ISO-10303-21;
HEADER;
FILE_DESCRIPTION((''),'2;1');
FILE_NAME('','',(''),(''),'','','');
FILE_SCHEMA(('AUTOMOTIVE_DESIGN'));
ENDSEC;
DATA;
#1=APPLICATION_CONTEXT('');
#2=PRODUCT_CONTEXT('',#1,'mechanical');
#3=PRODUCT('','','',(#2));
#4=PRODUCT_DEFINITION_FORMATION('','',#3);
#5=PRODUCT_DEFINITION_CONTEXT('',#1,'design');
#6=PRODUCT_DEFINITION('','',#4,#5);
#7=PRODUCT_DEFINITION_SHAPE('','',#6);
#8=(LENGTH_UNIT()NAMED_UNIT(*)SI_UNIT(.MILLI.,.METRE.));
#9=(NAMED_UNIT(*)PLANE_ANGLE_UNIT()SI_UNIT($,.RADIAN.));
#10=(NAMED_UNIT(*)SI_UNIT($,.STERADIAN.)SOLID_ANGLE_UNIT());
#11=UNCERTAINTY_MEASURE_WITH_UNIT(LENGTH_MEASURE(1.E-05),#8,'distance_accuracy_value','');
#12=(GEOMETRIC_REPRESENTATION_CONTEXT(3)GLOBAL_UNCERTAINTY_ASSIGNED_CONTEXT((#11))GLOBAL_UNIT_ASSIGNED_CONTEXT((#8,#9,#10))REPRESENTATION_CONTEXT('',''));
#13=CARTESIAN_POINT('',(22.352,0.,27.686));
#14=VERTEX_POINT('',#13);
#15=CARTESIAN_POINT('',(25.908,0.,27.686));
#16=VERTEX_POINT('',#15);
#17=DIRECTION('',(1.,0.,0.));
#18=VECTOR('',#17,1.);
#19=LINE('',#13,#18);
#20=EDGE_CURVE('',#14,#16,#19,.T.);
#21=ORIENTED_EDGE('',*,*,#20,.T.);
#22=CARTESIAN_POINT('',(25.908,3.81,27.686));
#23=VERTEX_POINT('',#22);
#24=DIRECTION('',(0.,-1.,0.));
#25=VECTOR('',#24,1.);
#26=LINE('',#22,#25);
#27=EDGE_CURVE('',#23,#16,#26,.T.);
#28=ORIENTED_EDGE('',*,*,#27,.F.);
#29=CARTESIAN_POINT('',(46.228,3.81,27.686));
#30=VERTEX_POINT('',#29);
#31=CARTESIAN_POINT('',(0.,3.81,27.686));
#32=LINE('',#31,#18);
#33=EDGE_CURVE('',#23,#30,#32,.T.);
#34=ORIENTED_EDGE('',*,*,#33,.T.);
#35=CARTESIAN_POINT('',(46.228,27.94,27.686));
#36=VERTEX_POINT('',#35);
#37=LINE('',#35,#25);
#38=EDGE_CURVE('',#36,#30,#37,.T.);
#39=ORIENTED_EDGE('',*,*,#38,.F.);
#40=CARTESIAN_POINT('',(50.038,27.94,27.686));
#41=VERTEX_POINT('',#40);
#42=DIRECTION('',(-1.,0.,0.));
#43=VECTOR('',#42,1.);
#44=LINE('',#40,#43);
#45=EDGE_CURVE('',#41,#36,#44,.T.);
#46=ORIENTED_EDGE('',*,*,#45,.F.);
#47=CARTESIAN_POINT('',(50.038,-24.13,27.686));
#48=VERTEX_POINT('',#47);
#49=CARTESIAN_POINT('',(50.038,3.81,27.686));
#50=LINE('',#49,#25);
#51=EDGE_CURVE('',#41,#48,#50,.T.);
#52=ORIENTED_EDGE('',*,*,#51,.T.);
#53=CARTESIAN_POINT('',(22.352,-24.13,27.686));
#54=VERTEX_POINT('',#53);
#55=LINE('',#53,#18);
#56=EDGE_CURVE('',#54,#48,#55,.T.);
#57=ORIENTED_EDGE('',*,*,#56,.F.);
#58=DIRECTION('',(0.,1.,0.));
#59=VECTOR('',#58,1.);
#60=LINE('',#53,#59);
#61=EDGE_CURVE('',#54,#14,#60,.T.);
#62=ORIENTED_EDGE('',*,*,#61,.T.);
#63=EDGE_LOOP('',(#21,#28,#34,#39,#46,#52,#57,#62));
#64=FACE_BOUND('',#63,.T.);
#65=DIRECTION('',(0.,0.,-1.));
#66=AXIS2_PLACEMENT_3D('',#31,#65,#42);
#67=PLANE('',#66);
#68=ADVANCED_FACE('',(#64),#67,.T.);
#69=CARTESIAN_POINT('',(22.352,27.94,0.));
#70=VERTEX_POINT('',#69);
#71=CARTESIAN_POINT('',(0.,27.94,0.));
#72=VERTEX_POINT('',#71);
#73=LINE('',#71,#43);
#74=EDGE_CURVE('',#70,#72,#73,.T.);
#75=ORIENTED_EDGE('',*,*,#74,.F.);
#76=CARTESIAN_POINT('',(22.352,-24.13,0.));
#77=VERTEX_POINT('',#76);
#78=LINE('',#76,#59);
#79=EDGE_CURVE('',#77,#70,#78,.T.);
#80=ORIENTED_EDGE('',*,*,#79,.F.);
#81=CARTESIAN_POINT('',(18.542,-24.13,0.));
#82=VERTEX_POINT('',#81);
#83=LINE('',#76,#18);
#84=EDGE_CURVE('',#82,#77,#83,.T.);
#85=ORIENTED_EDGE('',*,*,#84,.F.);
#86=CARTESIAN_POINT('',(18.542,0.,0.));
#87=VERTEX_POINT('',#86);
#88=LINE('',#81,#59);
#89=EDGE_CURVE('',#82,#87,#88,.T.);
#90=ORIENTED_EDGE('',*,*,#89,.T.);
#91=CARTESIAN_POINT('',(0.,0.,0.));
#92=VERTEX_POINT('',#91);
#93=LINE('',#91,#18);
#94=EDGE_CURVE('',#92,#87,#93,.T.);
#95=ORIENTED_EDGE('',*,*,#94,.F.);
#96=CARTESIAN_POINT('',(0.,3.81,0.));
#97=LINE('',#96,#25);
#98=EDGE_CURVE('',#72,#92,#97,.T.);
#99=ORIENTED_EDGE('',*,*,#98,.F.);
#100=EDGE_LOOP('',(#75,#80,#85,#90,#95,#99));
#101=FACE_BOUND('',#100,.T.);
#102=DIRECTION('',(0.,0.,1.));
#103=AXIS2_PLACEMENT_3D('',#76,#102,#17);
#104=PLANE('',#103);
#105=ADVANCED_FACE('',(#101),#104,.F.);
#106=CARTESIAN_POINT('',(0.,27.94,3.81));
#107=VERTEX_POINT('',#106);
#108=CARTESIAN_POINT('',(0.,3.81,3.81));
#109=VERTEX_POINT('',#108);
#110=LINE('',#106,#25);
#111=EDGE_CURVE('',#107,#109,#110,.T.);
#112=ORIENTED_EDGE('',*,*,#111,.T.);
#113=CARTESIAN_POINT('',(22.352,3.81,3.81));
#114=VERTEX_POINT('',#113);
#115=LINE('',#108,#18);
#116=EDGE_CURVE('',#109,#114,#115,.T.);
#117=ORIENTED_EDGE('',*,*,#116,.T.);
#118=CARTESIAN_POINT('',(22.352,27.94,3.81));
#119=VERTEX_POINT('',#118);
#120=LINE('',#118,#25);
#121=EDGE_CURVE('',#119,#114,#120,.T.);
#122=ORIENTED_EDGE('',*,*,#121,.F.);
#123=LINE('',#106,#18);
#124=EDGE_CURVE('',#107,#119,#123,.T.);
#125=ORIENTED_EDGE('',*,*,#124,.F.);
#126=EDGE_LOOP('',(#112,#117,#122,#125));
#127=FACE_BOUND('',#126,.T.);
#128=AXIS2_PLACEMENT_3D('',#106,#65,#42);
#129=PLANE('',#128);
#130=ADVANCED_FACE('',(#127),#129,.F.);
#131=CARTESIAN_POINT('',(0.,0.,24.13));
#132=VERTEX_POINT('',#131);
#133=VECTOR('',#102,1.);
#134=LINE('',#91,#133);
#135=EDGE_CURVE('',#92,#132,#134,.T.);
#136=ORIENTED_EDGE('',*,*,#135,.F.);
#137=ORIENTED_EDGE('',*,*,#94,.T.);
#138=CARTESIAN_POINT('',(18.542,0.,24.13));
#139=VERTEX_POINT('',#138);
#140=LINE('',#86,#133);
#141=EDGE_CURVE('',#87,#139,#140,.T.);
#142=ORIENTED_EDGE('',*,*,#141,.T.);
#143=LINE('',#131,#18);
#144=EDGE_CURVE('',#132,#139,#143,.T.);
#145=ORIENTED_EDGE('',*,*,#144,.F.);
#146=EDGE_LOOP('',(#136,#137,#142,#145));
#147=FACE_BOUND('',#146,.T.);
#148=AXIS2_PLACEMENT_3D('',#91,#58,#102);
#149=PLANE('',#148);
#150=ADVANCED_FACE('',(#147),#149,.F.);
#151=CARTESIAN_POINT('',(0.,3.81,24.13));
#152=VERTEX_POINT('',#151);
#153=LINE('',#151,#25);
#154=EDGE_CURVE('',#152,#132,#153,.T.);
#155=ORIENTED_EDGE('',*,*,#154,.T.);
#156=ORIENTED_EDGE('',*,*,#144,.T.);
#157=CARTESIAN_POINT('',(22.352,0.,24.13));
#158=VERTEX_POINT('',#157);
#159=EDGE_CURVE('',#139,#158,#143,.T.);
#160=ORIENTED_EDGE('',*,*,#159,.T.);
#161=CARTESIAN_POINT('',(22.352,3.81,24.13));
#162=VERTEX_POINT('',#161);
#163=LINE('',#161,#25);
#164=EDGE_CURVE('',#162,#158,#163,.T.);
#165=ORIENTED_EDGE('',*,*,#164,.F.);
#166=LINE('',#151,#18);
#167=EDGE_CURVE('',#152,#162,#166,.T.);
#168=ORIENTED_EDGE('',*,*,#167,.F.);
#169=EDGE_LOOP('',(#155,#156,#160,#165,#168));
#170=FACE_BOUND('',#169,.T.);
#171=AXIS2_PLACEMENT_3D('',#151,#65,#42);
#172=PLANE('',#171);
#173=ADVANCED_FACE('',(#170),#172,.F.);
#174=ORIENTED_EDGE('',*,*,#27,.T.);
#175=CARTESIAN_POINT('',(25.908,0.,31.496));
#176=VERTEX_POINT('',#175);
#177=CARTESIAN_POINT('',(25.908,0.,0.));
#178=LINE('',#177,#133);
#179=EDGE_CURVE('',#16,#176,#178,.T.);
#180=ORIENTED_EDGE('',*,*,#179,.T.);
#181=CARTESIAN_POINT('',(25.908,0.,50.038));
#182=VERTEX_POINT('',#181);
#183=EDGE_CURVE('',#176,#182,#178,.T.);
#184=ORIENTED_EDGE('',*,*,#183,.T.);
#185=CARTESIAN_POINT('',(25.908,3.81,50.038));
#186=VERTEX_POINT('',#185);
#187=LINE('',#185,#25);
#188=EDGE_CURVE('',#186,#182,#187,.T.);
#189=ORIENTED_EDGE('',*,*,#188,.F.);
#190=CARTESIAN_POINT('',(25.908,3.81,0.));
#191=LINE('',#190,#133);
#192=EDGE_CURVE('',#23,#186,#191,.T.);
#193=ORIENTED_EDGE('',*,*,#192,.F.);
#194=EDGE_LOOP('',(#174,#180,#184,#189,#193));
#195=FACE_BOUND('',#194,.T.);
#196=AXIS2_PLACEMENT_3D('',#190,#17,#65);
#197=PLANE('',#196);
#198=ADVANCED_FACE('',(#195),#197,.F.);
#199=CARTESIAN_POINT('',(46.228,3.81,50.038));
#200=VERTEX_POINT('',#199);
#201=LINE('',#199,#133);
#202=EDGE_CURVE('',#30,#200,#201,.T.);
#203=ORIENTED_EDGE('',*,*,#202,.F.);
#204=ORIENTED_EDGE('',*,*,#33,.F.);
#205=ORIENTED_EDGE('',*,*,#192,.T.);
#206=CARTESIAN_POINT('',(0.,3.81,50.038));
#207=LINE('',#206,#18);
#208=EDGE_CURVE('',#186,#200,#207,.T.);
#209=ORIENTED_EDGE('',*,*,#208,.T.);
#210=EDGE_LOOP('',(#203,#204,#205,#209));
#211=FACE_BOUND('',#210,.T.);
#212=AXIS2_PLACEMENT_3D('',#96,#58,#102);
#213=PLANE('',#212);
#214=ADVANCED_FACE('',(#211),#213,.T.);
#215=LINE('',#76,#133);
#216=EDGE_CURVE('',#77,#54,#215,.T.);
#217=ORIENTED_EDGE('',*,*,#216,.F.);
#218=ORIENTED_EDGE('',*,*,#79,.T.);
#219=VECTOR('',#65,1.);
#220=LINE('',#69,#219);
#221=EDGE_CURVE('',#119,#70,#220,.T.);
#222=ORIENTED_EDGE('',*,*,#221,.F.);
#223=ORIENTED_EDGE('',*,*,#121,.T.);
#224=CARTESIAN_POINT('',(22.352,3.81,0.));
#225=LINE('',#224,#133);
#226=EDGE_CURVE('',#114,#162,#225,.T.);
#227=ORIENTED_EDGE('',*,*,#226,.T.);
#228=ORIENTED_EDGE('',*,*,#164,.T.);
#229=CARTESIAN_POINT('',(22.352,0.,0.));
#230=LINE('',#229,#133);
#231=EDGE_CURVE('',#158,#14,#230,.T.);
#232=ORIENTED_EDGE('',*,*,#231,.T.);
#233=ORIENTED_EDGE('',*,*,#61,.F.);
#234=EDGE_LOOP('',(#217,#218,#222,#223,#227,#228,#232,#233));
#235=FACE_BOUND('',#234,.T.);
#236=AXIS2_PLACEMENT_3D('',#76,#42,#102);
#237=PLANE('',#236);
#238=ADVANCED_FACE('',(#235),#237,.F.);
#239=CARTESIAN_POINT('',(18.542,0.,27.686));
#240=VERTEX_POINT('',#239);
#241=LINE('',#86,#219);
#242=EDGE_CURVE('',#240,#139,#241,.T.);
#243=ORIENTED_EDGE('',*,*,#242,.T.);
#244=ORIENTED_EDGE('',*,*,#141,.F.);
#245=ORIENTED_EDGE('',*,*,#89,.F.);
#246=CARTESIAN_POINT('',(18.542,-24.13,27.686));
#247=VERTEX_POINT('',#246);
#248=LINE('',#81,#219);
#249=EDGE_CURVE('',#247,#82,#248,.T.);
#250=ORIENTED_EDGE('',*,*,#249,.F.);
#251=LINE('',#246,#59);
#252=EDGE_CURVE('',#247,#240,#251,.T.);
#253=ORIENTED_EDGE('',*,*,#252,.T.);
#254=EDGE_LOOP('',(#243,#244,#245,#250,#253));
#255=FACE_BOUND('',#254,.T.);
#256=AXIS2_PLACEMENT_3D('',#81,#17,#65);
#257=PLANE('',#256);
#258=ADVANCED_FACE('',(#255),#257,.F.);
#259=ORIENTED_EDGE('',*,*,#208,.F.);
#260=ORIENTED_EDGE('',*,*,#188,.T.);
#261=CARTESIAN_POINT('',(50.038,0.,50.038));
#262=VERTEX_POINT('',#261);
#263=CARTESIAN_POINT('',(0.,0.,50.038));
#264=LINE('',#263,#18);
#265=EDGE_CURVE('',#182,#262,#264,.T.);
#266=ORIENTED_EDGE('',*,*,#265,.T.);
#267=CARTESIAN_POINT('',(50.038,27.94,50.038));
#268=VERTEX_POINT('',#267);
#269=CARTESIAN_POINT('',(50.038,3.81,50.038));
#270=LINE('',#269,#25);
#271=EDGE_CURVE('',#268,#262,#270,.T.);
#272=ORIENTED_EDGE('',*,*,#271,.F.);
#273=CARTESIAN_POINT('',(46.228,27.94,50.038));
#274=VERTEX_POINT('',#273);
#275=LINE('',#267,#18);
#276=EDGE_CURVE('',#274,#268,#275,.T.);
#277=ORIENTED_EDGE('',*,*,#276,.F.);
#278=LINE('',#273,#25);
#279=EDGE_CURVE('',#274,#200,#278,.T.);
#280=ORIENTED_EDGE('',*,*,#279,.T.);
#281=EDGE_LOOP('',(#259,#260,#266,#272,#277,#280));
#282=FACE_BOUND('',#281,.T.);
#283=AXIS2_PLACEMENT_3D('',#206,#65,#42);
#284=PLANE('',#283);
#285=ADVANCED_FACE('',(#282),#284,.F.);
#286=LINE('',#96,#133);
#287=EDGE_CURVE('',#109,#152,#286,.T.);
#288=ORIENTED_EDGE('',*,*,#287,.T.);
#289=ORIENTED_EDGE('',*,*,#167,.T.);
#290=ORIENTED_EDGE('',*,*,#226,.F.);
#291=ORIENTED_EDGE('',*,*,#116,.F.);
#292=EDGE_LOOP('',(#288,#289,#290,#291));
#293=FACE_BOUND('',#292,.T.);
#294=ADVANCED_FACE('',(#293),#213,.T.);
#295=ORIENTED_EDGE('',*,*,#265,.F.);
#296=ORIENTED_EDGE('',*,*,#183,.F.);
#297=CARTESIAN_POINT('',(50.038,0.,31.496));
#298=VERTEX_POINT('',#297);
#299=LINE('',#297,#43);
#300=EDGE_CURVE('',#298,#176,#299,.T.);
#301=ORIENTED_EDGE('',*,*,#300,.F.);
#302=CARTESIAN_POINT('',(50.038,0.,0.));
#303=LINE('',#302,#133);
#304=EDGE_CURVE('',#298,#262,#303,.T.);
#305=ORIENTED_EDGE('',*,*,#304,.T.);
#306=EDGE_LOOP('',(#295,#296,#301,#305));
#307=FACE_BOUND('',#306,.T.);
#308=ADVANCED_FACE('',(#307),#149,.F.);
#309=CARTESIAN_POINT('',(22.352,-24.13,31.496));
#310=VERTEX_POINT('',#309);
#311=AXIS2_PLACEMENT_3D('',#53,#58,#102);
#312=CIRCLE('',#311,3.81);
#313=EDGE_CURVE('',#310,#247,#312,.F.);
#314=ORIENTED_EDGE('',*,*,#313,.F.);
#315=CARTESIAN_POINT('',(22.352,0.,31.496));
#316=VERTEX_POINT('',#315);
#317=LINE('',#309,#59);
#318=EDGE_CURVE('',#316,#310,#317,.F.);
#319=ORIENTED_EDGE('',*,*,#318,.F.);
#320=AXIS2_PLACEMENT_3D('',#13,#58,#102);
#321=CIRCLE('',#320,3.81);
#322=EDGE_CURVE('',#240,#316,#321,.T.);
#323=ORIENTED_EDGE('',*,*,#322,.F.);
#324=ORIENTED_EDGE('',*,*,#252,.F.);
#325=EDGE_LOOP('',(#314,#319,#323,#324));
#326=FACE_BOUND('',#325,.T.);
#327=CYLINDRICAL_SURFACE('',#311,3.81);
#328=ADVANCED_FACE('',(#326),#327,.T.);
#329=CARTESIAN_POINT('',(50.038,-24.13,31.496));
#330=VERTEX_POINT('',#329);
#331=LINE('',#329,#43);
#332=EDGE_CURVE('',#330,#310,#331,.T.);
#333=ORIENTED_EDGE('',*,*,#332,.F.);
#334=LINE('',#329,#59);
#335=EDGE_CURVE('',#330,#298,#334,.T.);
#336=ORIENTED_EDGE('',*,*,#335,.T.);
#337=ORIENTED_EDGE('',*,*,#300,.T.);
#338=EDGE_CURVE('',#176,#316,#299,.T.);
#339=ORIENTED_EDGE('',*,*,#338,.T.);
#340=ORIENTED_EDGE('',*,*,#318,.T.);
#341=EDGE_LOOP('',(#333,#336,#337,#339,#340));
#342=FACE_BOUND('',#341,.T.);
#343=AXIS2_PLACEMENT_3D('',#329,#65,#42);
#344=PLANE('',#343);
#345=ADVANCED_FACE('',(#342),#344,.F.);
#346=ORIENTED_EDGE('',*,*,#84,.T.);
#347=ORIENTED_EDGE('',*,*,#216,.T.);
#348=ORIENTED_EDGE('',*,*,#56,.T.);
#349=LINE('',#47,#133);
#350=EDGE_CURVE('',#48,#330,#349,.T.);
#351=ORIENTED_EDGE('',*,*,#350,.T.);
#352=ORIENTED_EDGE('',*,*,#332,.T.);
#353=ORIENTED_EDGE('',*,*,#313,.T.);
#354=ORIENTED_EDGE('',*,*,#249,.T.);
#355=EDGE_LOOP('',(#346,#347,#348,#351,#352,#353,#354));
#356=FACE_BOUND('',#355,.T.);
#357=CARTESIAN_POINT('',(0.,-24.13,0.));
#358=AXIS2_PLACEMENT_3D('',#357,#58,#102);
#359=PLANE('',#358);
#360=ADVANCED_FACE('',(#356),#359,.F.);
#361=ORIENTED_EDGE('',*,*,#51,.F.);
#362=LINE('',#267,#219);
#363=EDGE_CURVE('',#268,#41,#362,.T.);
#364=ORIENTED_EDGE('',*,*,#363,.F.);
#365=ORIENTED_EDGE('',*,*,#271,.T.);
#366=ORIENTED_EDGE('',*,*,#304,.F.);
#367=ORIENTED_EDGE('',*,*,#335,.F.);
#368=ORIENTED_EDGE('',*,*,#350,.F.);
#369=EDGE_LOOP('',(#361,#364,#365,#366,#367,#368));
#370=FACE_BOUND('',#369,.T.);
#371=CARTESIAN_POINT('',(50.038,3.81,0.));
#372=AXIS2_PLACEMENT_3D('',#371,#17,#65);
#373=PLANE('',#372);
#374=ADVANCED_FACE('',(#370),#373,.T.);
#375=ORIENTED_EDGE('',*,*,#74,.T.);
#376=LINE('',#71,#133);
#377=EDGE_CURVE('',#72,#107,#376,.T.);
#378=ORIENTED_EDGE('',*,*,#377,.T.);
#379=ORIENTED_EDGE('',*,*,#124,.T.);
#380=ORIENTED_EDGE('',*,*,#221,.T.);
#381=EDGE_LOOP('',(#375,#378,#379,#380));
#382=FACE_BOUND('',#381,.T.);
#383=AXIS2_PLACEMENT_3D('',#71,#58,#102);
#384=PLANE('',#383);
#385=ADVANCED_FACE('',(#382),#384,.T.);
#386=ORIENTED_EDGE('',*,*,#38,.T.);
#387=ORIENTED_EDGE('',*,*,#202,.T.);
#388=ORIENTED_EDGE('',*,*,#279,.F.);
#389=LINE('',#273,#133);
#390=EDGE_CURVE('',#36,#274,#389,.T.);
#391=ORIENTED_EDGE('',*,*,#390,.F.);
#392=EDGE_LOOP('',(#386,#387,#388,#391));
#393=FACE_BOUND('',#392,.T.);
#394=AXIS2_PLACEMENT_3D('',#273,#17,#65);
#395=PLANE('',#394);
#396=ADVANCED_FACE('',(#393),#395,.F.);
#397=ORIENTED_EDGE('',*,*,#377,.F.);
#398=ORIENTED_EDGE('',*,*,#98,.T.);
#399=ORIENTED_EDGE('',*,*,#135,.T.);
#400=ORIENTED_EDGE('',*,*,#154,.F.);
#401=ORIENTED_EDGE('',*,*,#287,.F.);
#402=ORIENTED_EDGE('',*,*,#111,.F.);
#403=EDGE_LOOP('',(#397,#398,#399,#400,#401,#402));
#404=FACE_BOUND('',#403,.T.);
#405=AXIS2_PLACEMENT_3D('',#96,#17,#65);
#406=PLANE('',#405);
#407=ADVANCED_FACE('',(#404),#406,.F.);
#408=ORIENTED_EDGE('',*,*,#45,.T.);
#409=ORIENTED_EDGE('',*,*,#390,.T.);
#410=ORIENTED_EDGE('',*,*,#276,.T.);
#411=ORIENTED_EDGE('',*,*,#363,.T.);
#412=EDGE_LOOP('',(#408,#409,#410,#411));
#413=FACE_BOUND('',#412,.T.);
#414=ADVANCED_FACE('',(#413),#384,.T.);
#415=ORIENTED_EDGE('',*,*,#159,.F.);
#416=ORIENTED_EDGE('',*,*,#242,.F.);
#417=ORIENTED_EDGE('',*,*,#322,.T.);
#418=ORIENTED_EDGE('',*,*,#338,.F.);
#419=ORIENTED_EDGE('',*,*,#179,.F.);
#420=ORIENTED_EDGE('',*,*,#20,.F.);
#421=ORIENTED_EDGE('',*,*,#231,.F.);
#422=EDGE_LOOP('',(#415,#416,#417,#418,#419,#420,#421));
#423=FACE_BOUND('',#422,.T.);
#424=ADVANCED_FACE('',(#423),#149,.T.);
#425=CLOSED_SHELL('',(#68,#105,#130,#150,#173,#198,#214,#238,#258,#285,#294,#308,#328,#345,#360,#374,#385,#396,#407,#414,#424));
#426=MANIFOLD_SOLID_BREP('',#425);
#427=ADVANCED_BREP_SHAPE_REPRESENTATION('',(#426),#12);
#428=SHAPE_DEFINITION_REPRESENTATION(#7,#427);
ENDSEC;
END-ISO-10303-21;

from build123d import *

# Parameters (mm, degrees)
SKETCH1_W             = 24.13
SKETCH1_H             = 22.352
BOSS_EXTRUDE1_DEPTH   = 3.81
SKETCH1_W_2           = 22.352
SKETCH1_H_2           = 24.13
BOSS_EXTRUDE1_2_DEPTH = 3.81
SKETCH2_W             = 22.352
SKETCH2_H             = 3.81
SKETCH2_W_2           = 3.81
SKETCH2_H_2           = 22.352
BOSS_EXTRUDE2_DEPTH   = 24.13
BOSS_EXTRUDE3_DEPTH   = 24.13
FILLET1_R             = 3.81


with BuildPart() as part:
    # Sketch1 → Boss-Extrude1 (new body)
    with BuildSketch(Plane(origin=(0, 0, 0), x_dir=(1, 0, 0), z_dir=(0, 1, 0))):
        with Locations((37.973, -38.862)):
            Rectangle(SKETCH1_W, SKETCH1_H)
    extrude(amount=BOSS_EXTRUDE1_DEPTH)



with BuildPart() as body_2:
    # Sketch1 → Boss-Extrude1 2 (new body)
    with BuildSketch(Plane(origin=(0, 0, 0), x_dir=(1, 0, 0), z_dir=(0, 1, 0))):
        with Locations((11.176, -12.065)):
            Rectangle(SKETCH1_W_2, SKETCH1_H_2)
    extrude(amount=BOSS_EXTRUDE1_2_DEPTH)


with BuildPart() as part_1:
    add(part.part)

    add(body_2.part)  # Boss-Extrude2 merges body 2
    # Sketch2 → Boss-Extrude2 (add)
    with BuildSketch(Plane(origin=(0, 3.81, 0), x_dir=(1, 0, 0), z_dir=(0, 1, 0))):
        with Locations((11.176, -1.905)):
            Rectangle(SKETCH2_W, SKETCH2_H)
        with Locations((48.133, -38.862)):
            Rectangle(SKETCH2_W_2, SKETCH2_H_2)
    extrude(amount=BOSS_EXTRUDE2_DEPTH)

    # Sketch3 → Boss-Extrude3 (add)
    with BuildSketch(Plane.XZ):
        Polygon((22.352, 27.686), (50.038, 27.686), (50.038, 31.496), (18.542, 31.496), (18.542, 0), (22.352, 0), align=None)
    extrude(amount=BOSS_EXTRUDE3_DEPTH)

    # Fillet1
    fillet1_edges = [part_1.edges().sort_by_distance(p)[0] for p in [
        (18.542, -12.065, 31.496),
    ]]
    fillet(fillet1_edges, radius=FILLET1_R)


solid = part_1.part
